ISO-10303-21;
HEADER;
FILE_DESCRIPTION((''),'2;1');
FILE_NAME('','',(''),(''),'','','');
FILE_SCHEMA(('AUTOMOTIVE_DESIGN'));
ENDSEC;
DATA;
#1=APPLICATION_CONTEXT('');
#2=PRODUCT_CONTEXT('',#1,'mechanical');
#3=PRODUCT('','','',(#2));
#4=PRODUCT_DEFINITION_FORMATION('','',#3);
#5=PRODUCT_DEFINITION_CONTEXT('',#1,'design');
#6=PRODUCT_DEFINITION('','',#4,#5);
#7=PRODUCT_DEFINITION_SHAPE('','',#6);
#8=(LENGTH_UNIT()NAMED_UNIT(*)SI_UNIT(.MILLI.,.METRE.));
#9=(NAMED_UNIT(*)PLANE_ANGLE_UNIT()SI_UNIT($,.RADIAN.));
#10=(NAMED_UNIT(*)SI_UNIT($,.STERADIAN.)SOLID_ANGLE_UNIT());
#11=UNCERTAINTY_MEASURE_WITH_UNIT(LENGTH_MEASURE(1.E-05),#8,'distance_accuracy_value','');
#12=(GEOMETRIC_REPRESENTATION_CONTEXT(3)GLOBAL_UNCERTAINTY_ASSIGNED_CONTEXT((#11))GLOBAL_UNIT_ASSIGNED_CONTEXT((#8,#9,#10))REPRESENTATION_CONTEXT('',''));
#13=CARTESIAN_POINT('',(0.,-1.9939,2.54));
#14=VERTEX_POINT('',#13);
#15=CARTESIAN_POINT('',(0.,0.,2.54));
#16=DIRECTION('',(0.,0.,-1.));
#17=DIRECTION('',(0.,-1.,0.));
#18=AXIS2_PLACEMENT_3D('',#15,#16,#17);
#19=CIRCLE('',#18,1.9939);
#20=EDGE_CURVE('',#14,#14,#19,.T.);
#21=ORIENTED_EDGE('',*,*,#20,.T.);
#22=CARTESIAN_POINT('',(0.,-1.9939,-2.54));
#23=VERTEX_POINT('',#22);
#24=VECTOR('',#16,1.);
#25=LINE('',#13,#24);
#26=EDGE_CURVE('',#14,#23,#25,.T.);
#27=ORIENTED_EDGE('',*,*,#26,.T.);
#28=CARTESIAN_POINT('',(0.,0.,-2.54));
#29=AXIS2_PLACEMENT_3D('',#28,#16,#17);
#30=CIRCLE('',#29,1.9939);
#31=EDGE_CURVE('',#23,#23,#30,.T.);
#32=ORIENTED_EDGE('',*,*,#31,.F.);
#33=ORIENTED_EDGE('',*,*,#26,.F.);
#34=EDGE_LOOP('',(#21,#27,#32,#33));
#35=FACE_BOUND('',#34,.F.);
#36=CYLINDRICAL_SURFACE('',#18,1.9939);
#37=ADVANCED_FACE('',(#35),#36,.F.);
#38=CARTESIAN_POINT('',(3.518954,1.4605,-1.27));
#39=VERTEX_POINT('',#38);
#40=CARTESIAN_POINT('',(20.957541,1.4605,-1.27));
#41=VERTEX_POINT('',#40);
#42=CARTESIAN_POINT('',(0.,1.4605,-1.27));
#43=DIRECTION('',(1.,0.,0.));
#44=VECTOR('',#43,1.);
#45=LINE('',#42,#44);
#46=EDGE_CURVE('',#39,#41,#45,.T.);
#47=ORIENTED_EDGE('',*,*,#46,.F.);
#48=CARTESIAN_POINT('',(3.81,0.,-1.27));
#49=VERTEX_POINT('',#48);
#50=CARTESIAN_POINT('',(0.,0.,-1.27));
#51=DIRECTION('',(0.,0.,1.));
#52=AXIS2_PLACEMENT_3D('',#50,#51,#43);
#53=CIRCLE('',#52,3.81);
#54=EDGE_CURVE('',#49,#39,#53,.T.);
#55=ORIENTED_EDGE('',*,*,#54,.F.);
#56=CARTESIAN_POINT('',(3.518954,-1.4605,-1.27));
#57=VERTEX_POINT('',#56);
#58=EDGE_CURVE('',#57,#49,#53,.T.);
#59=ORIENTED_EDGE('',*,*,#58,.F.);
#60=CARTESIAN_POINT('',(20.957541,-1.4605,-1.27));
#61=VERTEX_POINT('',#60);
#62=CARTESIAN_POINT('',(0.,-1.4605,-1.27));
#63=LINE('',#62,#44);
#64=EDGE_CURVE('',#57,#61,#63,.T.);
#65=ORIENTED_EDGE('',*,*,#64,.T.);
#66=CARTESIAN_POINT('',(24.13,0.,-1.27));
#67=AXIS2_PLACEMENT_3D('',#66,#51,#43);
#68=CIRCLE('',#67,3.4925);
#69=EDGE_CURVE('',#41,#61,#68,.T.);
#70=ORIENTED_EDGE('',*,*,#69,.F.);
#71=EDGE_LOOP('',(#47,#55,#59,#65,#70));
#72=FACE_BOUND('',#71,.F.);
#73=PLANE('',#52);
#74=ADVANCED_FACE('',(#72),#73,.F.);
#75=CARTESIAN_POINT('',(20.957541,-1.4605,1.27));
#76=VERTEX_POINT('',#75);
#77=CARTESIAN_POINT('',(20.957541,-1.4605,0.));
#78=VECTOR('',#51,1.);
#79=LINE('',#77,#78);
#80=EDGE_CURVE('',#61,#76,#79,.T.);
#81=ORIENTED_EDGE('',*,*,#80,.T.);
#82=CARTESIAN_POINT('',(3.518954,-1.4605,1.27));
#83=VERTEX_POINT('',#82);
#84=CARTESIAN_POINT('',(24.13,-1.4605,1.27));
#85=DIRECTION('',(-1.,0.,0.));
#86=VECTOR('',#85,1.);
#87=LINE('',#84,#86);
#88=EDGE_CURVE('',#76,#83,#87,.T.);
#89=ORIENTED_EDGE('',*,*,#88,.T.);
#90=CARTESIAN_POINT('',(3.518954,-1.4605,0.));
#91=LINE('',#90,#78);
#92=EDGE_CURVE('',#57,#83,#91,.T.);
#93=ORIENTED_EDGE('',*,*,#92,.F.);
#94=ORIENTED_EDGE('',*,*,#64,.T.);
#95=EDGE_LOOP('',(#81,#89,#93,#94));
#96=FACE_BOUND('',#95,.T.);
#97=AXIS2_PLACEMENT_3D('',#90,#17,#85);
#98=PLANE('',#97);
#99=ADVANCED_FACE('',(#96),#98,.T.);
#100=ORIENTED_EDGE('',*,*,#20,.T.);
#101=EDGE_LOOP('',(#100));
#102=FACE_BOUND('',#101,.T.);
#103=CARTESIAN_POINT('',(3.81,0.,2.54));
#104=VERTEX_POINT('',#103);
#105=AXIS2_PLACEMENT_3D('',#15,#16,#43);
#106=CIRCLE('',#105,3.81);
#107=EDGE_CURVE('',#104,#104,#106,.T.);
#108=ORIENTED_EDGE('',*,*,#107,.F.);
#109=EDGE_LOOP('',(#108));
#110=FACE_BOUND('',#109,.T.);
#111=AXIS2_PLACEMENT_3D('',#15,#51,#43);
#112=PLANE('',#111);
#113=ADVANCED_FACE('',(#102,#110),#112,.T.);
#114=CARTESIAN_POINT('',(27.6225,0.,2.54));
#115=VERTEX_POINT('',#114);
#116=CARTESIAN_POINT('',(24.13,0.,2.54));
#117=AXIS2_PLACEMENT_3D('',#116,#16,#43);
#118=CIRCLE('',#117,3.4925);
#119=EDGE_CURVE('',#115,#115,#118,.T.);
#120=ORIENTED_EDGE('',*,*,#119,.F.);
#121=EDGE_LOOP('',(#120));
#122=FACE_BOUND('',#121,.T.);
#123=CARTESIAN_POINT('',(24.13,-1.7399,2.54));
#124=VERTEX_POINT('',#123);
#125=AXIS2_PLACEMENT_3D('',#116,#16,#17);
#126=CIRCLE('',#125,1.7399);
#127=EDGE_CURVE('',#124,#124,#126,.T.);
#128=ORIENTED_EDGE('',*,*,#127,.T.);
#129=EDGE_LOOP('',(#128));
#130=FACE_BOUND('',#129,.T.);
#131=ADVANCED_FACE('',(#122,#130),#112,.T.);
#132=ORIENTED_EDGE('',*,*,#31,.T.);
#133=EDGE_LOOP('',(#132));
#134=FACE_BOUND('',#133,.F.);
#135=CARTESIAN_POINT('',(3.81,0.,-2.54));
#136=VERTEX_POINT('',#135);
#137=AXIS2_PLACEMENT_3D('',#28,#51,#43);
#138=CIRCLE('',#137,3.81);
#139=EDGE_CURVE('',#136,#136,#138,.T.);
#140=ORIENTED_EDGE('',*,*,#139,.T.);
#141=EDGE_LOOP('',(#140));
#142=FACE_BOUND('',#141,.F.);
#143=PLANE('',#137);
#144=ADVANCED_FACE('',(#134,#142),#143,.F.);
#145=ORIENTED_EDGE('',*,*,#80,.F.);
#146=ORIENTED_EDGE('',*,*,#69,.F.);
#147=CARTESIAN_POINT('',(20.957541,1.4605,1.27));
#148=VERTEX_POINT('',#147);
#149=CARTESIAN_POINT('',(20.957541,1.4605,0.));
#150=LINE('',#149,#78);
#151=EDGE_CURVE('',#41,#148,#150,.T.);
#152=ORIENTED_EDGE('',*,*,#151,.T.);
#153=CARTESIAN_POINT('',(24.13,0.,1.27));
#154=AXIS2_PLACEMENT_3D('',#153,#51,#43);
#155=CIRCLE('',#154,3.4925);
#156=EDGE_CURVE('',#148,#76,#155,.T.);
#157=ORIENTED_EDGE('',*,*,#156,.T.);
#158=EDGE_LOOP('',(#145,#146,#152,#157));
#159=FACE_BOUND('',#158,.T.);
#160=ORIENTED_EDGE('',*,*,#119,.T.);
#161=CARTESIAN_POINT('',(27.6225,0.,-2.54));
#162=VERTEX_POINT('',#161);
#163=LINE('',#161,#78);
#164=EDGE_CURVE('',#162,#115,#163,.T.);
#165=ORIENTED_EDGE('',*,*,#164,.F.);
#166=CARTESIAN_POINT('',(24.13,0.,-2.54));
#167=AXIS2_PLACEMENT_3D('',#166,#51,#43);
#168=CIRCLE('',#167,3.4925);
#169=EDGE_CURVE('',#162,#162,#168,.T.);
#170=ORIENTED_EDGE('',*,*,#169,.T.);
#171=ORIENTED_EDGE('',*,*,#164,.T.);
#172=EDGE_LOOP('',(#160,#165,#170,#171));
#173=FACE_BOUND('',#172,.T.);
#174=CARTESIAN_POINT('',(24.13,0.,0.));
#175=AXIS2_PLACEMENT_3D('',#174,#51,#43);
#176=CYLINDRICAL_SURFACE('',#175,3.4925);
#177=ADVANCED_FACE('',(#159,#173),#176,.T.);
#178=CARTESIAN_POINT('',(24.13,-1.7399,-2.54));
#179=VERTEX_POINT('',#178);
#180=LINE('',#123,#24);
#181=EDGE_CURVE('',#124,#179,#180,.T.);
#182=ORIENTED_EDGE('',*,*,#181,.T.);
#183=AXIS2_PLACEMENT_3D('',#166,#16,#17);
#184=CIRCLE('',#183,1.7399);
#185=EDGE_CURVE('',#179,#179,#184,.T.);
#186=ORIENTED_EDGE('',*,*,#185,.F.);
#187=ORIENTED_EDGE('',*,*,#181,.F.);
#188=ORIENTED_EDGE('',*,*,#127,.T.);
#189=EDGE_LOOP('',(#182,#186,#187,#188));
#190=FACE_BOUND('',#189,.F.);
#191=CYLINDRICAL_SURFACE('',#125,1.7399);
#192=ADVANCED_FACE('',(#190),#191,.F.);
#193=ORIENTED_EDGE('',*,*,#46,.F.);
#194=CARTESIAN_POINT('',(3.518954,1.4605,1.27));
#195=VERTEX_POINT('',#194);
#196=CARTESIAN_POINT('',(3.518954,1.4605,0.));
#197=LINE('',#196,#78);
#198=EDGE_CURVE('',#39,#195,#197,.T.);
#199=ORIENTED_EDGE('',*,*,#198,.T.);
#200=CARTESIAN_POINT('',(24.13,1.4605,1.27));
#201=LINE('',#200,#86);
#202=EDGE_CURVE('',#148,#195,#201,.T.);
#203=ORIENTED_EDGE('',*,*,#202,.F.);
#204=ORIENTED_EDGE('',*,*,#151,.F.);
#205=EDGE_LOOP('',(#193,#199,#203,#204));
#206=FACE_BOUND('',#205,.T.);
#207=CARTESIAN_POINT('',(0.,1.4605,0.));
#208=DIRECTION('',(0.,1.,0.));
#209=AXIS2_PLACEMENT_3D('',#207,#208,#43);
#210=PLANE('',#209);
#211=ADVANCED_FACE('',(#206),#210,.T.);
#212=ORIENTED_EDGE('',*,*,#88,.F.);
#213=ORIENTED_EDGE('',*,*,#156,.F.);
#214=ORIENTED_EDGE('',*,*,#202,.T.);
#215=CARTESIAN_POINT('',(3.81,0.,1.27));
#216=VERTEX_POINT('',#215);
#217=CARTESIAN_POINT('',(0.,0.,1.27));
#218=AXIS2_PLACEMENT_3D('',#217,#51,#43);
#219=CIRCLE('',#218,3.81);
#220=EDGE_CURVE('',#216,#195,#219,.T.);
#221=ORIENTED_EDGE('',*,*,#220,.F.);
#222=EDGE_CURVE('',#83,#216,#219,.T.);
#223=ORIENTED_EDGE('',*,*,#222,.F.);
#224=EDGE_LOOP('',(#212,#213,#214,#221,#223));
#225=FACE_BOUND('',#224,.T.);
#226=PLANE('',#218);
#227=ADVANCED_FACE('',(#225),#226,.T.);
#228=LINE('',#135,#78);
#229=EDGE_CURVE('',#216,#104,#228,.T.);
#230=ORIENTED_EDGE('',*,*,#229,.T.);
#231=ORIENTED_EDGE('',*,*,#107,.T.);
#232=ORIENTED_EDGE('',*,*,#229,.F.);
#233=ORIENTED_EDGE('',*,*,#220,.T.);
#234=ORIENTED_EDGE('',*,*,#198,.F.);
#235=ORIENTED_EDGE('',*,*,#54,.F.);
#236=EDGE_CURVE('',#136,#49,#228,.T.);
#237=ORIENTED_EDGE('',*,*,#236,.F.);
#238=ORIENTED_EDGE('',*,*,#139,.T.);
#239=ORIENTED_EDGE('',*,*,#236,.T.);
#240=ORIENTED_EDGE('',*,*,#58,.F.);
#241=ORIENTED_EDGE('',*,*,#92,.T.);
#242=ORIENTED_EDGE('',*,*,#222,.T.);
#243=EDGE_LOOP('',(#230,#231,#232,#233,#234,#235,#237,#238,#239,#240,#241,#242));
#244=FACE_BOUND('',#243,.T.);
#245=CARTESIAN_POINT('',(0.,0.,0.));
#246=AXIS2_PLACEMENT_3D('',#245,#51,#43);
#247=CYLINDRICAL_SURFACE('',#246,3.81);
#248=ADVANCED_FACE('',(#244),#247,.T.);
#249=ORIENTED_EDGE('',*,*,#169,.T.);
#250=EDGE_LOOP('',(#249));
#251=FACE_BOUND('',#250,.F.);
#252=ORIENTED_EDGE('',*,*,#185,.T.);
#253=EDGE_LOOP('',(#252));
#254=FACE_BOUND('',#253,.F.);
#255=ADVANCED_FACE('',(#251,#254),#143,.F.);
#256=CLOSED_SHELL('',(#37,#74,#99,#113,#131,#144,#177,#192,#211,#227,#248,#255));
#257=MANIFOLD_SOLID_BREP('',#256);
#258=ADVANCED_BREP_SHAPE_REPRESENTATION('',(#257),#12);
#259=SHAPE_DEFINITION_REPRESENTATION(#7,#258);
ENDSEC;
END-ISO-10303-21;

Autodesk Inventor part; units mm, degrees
ref_plane "YZ Plane" through (0, 0, 0) normal (1, 0, 0) x (0, 1, 0)
ref_plane "XZ Plane" through (0, 0, 0) normal (0, 1, 0) x (-1, 0, 0)
ref_plane "XY Plane" through (0, 0, 0) normal (0, 0, 1) x (1, 0, 0)
sketch "Sketch1" plane through (0, 0, 0) normal (0, 0, 1) x (1, 0, 0)
  circle A0 centre (0, 0) radius 3.81
  circle A1 centre (24.13, 0) radius 3.4925
  line L0 (0, 1.4605) -> (24.13, 1.4605)
  line L1 (24.13, 1.4605) -> (24.13, -1.4605)
  line L2 (24.13, -1.4605) -> (0, -1.4605)
  line L3 (0, -1.4605) -> (0, 1.4605)
  dimension "d0" = 7.62
  dimension "d1" = 2.921
  dimension "d2" = 1.4605
  dimension "d3" = 24.13
  dimension "d15" = 6.985
extrude "Extrusion1" add sketch "Sketch1" along normal mid plane 5.08 contours A0 L2 L3 L0 | L0 L3 L2 A0 | L0 L1 L2 A1 | A1 L2 L1 L0
extrude "Extrusion2" add sketch "Sketch1" along normal mid plane 2.54 contours A0 L2 L3 L0 | A0 L0 A1 L2 | L0 L1 L2 A1 picked at (1.27, 0) picked at (22.9658, 0)
hole "Hole2" at (0, 0, 2.54) direction (0, 0, -1) diameter 3.9878 end through all
hole "Hole3" at (24.13, 0, 2.54) direction (0, 0, -1) diameter 3.4798 end through all
equation "\"d2\" = 0.5 * d1"
properties part number "Crank Arm"
